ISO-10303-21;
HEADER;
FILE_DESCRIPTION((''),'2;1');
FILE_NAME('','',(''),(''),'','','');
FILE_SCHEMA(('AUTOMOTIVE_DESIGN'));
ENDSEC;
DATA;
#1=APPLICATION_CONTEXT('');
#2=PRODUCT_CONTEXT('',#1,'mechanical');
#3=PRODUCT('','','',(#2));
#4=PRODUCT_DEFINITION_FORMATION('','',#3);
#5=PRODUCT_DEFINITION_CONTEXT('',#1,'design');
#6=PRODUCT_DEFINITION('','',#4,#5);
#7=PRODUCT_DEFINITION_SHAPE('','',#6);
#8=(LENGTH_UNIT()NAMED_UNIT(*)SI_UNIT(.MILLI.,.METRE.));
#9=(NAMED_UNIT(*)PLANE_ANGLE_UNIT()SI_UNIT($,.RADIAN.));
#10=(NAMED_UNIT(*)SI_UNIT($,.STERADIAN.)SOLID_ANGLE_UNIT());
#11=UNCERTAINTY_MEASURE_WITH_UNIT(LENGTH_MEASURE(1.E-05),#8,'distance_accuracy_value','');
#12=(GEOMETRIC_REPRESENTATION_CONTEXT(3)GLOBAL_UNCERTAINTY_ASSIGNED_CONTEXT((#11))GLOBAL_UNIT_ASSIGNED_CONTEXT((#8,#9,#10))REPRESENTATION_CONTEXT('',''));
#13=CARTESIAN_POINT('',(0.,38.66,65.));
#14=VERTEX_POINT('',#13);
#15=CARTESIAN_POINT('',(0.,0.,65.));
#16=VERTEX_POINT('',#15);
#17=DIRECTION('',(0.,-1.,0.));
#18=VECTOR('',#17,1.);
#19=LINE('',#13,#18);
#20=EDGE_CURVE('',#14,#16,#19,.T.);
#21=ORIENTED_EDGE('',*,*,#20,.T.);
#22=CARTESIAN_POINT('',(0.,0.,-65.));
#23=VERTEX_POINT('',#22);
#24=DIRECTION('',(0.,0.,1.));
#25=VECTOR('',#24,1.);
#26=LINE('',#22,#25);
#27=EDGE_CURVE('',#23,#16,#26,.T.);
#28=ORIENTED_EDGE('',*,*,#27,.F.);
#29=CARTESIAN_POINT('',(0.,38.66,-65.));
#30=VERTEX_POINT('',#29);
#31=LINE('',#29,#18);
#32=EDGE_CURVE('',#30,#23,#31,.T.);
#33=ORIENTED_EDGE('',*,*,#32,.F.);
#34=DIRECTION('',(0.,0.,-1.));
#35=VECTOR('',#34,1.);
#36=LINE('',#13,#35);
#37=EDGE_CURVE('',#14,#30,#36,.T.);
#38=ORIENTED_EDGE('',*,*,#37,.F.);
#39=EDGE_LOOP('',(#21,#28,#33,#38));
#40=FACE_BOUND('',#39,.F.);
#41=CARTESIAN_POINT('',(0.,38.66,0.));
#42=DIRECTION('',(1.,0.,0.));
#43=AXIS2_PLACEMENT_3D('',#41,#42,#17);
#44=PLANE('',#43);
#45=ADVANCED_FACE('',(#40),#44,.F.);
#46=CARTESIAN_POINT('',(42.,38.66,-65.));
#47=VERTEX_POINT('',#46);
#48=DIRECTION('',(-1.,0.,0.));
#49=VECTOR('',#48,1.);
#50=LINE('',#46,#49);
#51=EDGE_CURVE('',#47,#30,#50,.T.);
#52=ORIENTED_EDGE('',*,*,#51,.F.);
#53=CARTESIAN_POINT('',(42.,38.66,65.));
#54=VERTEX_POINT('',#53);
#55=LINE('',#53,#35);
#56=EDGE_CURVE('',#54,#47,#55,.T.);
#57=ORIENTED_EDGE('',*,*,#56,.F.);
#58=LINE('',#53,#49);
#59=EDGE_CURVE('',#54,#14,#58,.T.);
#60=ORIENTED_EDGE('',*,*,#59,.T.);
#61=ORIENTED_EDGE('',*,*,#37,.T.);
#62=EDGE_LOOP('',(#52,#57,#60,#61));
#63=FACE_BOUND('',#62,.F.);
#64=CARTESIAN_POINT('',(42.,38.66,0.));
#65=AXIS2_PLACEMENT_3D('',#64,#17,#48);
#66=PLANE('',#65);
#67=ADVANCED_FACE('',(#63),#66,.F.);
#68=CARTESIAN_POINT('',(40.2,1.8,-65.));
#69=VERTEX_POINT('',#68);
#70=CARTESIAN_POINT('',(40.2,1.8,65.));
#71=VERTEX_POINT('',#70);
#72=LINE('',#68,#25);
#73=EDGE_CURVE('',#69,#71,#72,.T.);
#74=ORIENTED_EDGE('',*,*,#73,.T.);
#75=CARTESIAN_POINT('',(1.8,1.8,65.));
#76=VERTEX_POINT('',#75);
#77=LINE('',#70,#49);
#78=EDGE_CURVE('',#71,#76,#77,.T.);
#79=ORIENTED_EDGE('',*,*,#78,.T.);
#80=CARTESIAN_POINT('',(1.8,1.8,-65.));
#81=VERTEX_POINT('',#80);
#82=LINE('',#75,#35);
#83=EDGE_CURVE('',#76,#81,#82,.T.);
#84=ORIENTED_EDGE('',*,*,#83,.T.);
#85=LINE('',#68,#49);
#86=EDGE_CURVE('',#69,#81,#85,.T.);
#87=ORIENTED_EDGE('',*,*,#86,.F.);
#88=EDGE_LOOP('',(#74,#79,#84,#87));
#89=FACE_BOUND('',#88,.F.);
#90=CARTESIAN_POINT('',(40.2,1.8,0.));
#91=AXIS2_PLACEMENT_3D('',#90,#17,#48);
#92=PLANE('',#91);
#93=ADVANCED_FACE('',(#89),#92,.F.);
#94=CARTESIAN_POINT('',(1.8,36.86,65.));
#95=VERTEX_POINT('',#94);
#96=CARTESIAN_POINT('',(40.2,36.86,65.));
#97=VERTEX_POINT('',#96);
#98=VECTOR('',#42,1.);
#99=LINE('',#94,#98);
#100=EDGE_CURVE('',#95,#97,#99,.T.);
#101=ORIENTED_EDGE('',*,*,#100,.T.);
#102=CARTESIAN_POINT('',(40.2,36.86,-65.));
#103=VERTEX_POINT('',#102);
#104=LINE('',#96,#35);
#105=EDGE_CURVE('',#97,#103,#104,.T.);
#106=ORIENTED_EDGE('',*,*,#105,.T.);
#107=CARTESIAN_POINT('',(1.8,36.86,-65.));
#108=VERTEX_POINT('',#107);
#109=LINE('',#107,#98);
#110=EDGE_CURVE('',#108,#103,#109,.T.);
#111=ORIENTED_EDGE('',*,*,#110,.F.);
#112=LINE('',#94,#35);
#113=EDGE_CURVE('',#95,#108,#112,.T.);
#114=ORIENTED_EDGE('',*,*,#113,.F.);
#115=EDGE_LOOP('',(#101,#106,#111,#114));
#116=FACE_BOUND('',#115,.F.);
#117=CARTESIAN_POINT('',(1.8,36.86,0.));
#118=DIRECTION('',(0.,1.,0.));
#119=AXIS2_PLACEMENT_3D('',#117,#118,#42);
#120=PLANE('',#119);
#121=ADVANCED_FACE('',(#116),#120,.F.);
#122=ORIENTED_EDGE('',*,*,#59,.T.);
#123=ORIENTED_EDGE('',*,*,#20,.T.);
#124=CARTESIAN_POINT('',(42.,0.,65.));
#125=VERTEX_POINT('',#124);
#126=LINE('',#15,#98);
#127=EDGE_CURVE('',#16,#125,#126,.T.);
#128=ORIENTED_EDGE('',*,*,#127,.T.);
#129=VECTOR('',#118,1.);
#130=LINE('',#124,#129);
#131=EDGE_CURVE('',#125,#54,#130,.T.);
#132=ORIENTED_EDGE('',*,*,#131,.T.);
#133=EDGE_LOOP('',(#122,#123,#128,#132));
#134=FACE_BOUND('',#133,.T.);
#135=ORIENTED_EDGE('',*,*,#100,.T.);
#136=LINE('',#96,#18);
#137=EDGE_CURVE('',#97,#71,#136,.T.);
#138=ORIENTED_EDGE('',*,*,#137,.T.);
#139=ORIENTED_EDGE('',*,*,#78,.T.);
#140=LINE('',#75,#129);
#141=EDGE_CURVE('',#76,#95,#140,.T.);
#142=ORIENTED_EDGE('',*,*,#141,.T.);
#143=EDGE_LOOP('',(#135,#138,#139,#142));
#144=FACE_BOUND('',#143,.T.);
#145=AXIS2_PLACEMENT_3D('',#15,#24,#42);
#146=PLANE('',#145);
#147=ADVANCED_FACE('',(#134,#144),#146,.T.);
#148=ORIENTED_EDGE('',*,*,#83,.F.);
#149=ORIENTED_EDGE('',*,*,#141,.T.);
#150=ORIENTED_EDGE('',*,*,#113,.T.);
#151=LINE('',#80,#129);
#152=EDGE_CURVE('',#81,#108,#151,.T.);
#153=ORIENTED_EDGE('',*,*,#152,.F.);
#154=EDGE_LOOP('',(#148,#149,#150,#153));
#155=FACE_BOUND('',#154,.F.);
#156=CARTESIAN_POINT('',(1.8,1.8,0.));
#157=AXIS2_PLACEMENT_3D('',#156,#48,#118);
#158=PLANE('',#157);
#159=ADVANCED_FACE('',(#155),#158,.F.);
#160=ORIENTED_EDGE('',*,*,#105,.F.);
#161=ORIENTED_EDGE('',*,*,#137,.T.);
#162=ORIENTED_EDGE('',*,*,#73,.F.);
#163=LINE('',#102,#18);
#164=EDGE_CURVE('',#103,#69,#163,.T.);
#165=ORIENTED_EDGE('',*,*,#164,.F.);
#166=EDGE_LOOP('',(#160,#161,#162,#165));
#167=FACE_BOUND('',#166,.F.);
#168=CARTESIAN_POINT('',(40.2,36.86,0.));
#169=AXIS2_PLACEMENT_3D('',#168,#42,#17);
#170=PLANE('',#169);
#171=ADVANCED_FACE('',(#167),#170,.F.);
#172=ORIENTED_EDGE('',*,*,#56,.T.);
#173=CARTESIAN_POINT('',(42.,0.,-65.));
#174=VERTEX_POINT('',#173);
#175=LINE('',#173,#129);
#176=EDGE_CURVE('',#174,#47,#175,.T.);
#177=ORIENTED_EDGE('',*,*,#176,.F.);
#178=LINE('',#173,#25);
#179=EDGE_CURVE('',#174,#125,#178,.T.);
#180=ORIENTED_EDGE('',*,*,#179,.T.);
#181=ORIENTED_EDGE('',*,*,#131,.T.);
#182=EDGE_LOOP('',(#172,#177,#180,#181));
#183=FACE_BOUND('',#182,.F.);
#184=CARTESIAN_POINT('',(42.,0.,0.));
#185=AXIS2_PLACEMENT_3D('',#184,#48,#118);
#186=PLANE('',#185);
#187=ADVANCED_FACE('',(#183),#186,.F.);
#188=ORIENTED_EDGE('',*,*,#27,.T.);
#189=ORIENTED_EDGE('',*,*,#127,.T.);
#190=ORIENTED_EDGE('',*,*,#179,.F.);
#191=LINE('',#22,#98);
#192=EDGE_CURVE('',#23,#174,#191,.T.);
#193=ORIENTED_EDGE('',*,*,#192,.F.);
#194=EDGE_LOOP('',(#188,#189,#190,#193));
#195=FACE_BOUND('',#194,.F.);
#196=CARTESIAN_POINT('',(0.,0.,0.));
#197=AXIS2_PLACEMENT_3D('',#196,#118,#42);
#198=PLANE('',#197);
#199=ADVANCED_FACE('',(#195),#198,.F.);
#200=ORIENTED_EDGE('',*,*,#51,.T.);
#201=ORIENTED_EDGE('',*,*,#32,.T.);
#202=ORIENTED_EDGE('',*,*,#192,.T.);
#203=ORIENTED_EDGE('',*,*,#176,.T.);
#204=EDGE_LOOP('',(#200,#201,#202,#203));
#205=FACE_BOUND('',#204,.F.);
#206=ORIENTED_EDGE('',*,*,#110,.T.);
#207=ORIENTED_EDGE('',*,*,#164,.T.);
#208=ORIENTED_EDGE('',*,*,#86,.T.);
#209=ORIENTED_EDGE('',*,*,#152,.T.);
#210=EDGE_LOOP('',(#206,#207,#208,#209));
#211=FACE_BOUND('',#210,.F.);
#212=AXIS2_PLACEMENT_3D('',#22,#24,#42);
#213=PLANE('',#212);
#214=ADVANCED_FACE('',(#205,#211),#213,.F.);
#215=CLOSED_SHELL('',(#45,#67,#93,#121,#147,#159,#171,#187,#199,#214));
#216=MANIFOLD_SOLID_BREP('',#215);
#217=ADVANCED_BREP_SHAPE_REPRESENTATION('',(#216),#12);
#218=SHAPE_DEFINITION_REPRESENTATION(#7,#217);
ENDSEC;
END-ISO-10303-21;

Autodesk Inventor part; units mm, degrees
ref_plane "YZ Plane" through (0, 0, 0) normal (1, 0, 0) x (0, 1, 0)
ref_plane "XZ Plane" through (0, 0, 0) normal (0, 1, 0) x (-1, 0, 0)
ref_plane "XY Plane" through (0, 0, 0) normal (0, 0, 1) x (1, 0, 0)
sketch "Sketch1" plane through (0, 0, 0) normal (0, 0, 1) x (1, 0, 0)
  line L0 (0, 0) -> (42, 0)
  line L1 (42, 0) -> (42, 38.66)
  line L2 (42, 38.66) -> (0, 38.66)
  line L3 (0, 38.66) -> (0, 0)
  line L4 (40.2, 1.8) -> (1.8, 1.8)
  line L5 (1.8, 1.8) -> (1.8, 36.86)
  line L6 (1.8, 36.86) -> (40.2, 36.86)
  line L7 (40.2, 36.86) -> (40.2, 1.8)
  dimension "d0" = 42
  dimension "d1" = 38.66
  dimension "d2" = 1.8
extrude "Extrusion1" add sketch "Sketch1" along normal mid plane 130
properties part number "bido"
